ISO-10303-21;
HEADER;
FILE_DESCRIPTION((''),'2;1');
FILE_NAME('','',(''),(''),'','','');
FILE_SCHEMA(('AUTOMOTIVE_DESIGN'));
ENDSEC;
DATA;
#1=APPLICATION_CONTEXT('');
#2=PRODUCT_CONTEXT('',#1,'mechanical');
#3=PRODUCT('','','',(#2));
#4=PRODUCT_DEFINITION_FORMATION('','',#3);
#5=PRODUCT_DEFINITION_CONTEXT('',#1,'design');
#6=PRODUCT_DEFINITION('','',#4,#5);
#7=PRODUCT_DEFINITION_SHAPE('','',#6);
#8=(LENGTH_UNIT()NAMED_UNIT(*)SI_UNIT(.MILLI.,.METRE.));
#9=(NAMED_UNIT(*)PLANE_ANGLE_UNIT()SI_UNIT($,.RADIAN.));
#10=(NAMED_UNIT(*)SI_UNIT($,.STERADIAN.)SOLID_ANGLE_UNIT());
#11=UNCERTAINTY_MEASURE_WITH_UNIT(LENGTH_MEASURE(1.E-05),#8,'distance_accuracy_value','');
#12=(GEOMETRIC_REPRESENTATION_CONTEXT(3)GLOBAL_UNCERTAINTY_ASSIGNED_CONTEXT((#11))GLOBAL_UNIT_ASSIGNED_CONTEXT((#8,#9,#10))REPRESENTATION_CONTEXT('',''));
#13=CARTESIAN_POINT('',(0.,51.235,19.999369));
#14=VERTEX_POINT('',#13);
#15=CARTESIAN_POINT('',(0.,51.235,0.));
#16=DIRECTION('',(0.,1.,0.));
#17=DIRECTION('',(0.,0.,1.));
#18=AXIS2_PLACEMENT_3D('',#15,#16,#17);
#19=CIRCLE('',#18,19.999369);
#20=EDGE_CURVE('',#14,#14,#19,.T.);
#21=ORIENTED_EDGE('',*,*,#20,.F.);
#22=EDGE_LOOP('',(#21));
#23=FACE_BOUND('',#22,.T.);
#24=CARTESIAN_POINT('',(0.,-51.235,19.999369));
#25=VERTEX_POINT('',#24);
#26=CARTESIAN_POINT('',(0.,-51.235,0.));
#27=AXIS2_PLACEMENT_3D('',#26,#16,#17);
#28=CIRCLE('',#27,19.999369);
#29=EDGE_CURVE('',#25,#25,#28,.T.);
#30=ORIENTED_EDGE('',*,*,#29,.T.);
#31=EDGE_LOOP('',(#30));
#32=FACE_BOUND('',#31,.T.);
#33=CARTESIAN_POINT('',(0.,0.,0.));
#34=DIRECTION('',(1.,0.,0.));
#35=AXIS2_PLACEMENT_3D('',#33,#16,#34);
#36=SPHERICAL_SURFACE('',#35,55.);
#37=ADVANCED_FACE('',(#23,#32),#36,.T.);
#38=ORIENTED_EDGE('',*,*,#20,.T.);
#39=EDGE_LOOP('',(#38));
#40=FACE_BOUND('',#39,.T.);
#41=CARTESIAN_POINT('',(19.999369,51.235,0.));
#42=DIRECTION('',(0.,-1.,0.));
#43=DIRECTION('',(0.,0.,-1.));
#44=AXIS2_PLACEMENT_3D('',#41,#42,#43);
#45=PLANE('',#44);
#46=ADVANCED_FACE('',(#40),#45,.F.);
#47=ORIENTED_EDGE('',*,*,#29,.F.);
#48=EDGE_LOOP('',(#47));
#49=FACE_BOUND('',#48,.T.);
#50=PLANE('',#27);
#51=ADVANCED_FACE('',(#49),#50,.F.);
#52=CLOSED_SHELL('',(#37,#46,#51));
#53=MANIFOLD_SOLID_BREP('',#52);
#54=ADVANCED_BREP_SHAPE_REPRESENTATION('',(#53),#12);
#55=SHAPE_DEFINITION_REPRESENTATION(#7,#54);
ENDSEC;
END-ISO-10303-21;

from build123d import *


with BuildPart() as part:
    # Sketch1 → Revolve1 (revolve)
    with BuildSketch(Plane.XY):
        with BuildLine():
            Line((19.999369365, 51.235), (0, 51.235))
            Line((0, 51.235), (0, -51.235))
            Line((0, -51.235), (19.999369365, -51.235))
            ThreePointArc((19.999369365, -51.235), (55, 0), (19.999369365, 51.235))
        make_face()
    revolve(axis=Axis((0, 51.235, 0), (0, -1, 0)))


solid = part.part
